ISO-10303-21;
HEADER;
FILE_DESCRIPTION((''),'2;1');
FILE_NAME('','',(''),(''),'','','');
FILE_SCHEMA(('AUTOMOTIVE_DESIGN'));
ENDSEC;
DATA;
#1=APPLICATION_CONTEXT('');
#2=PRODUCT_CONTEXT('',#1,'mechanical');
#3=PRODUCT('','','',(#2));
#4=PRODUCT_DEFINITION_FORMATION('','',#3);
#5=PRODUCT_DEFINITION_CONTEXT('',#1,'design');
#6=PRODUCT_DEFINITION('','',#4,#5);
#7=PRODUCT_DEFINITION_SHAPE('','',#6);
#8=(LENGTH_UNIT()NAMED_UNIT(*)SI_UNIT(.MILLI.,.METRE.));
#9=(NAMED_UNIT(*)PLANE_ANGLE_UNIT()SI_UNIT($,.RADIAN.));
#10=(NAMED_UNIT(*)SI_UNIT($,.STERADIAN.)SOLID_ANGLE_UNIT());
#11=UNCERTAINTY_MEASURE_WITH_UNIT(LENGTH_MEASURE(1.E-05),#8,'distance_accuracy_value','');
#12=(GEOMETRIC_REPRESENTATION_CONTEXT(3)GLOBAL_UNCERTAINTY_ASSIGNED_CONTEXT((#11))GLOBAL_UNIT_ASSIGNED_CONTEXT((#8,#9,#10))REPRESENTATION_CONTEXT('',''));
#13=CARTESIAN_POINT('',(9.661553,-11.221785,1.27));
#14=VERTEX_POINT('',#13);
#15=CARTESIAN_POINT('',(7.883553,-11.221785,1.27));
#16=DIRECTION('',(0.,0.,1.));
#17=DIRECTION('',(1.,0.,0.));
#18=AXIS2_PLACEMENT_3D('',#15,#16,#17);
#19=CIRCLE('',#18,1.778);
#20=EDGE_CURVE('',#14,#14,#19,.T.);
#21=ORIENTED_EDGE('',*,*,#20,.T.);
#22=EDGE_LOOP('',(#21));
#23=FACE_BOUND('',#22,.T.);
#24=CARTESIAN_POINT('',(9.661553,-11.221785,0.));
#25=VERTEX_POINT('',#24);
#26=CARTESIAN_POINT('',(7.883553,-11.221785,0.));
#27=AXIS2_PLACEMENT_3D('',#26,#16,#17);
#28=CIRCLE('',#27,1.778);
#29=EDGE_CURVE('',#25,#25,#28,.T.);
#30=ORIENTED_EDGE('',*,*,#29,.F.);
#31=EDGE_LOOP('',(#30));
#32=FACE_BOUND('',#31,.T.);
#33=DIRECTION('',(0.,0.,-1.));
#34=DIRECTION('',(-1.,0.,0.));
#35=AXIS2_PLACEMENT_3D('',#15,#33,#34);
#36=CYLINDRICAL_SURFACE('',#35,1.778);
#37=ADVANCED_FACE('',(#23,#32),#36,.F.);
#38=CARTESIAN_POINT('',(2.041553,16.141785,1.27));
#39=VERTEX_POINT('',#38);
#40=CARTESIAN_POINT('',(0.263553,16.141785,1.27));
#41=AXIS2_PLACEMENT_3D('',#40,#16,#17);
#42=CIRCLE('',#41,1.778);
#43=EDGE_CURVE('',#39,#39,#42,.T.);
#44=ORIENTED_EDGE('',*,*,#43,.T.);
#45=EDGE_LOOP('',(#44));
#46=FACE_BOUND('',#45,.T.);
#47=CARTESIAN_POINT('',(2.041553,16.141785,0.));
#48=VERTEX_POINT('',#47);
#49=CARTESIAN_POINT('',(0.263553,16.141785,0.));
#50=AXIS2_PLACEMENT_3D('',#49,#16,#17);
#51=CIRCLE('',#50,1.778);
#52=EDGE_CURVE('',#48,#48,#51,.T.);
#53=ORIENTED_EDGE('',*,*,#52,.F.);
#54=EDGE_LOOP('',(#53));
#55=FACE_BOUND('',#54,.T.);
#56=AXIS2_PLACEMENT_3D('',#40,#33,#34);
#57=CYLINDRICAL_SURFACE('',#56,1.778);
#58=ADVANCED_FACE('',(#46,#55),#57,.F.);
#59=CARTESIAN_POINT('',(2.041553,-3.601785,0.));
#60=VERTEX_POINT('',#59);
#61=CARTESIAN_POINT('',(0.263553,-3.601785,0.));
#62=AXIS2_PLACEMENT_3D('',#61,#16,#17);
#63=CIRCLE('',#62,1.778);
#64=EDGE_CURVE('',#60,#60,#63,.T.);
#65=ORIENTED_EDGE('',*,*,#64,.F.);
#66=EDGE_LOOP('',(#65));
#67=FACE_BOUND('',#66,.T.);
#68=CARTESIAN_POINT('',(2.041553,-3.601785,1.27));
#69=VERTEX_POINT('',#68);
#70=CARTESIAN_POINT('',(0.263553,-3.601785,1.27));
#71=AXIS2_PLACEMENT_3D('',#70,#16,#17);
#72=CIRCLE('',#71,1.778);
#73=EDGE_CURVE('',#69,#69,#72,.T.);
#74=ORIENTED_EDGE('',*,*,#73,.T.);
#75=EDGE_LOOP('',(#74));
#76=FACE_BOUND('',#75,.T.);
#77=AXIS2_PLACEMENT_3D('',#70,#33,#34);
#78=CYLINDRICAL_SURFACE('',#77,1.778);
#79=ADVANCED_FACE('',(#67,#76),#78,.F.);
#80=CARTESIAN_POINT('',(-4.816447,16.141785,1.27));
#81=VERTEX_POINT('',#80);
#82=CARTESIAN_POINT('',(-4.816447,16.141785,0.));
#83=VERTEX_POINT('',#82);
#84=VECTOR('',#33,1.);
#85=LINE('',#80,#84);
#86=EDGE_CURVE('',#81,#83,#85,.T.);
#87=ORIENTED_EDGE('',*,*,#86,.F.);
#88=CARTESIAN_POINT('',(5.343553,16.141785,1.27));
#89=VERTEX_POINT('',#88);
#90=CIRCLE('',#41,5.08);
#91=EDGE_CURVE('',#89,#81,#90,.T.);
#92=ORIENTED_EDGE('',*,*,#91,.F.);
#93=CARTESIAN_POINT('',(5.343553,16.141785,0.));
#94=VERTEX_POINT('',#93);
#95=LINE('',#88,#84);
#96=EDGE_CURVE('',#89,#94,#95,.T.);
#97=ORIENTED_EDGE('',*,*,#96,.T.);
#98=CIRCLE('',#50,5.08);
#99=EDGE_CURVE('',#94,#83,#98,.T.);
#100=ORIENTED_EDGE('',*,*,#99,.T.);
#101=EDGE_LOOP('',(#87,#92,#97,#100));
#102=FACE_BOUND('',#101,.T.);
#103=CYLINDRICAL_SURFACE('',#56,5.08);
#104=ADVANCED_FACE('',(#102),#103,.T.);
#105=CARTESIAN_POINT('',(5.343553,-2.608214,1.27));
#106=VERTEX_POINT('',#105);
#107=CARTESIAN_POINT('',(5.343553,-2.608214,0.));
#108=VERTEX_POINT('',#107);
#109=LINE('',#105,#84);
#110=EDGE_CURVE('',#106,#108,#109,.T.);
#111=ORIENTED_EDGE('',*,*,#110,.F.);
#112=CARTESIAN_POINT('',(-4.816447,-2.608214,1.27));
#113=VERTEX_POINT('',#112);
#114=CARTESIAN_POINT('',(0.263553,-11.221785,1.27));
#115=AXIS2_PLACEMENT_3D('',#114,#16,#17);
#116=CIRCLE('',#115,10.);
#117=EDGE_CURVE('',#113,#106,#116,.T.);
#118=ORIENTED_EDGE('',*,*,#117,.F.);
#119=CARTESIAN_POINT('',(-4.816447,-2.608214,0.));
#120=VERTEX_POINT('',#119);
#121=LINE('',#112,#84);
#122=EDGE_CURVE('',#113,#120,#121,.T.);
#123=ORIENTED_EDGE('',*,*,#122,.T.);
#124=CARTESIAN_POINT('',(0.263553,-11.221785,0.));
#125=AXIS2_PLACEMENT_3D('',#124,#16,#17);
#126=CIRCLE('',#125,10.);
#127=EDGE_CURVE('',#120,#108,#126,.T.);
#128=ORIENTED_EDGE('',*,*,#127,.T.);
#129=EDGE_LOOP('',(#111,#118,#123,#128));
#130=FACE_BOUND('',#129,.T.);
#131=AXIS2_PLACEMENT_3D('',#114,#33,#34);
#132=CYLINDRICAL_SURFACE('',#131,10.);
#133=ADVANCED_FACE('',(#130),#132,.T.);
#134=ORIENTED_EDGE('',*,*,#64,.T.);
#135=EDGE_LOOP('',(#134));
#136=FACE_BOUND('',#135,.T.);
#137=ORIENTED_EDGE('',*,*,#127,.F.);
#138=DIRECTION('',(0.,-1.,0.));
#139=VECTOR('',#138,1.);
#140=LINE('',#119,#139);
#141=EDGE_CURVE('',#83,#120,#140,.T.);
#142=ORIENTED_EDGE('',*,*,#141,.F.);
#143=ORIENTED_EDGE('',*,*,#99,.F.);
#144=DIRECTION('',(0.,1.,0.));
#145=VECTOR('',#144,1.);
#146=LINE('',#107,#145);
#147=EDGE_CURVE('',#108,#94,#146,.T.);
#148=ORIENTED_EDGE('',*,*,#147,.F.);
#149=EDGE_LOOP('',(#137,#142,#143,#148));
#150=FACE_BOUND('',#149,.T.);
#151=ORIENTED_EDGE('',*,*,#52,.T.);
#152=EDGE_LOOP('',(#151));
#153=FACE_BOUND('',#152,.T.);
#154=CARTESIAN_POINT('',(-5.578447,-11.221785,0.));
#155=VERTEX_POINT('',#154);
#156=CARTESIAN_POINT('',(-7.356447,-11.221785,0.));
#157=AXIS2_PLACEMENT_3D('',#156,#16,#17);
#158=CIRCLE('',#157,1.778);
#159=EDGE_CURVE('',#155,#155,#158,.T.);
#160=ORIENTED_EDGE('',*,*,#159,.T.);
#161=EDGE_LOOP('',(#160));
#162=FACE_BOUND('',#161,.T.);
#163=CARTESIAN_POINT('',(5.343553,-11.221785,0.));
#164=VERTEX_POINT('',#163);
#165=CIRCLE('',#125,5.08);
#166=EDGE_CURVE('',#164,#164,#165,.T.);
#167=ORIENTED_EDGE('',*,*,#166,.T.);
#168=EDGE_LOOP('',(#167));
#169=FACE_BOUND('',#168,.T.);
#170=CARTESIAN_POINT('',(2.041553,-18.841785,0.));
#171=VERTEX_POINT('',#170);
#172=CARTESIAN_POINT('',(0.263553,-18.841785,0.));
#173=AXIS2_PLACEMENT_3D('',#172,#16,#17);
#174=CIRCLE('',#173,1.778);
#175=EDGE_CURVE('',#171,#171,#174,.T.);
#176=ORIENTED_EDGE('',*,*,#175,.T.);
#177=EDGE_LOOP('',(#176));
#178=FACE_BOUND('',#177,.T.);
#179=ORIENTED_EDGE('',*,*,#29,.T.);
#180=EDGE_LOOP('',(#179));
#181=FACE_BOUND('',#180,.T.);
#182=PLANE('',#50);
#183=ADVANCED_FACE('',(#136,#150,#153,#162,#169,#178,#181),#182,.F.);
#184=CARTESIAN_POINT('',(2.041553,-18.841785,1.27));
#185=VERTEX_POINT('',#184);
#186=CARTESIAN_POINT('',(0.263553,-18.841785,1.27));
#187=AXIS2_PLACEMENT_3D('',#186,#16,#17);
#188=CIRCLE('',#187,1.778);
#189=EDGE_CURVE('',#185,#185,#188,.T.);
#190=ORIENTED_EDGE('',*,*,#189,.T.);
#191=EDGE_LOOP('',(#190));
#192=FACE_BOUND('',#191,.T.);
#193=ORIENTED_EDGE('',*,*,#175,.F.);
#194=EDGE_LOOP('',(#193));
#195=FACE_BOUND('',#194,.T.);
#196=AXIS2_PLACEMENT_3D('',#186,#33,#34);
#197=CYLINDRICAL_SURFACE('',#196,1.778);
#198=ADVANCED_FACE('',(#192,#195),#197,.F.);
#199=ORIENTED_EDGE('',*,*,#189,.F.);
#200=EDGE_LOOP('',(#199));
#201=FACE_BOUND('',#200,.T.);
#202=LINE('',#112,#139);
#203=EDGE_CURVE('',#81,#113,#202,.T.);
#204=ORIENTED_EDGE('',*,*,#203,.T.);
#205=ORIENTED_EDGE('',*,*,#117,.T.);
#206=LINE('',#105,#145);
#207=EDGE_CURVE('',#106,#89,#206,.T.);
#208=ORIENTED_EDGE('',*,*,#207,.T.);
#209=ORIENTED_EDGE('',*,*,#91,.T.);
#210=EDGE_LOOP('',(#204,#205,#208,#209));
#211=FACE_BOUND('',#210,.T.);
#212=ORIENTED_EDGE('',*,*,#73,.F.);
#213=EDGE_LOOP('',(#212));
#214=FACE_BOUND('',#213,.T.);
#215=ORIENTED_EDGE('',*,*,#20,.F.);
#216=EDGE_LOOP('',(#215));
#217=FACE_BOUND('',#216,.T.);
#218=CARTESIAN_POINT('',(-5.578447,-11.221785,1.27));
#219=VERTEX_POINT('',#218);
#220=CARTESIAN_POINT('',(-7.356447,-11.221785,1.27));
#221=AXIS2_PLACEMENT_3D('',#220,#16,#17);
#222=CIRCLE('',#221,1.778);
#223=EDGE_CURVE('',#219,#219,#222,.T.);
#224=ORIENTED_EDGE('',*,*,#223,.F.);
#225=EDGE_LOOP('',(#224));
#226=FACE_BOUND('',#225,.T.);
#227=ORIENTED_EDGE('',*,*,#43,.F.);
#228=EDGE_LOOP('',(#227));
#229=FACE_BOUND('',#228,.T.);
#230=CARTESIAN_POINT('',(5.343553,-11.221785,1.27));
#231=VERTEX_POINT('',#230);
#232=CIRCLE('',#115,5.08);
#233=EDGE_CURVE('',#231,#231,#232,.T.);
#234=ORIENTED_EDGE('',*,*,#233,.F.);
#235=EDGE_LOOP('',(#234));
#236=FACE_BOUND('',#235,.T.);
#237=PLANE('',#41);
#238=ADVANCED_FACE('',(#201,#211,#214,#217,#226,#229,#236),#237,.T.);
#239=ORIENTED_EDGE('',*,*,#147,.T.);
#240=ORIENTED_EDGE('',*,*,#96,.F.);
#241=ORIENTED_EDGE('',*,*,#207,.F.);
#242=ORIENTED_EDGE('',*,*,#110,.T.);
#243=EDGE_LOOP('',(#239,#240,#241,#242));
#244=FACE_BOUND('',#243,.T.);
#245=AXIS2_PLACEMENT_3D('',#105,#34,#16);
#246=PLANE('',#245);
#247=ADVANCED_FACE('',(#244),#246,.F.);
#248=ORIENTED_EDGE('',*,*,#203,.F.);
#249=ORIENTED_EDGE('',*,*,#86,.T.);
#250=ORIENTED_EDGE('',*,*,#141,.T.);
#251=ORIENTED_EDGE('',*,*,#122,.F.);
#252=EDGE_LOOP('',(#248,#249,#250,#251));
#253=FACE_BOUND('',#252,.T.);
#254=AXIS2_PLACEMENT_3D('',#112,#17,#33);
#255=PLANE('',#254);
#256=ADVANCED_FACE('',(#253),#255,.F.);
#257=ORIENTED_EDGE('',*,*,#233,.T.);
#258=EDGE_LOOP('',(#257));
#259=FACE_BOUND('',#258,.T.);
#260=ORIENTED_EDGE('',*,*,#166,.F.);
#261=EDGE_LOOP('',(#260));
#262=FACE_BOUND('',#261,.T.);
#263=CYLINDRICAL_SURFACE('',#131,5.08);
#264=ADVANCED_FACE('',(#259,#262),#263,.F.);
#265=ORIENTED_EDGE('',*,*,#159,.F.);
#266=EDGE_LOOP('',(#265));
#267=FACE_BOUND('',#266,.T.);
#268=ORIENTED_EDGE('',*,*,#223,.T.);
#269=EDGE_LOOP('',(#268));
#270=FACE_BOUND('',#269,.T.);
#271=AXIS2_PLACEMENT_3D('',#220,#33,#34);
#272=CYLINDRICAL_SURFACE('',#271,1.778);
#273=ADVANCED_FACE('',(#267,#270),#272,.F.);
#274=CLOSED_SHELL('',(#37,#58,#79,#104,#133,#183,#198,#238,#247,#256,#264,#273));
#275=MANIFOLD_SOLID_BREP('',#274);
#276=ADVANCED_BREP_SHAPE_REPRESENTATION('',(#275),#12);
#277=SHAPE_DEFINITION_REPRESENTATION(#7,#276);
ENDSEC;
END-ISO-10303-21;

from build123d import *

# Parameters (mm, degrees)
SKETCH1_R           = 1.778
SKETCH1_R_2         = 5.08
BOSS_EXTRUDE1_DEPTH = 1.27


with BuildPart() as part:
    # Sketch1 → Boss-Extrude1 (new body)
    with BuildSketch(Plane.XY):
        with BuildLine():
            Line((5.343552637, -2.608214098), (5.343552637, 16.141784786))
            ThreePointArc((5.343552637, 16.141784786), (0.263552637, 21.221784786), (-4.816447363, 16.141784786))
            Line((-4.816447363, 16.141784786), (-4.816447363, -2.608214098))
            ThreePointArc((-4.816447363, -2.608214098), (0.263552637, -21.221784786), (5.343552637, -2.608214098))
        make_face()
        with Locations((0.263552637, -3.601784786)):
            Circle(SKETCH1_R, mode=Mode.SUBTRACT)
        with Locations((-7.356447363, -11.221784786)):
            Circle(SKETCH1_R, mode=Mode.SUBTRACT)
        with Locations((7.883552637, -11.221784786)):
            Circle(SKETCH1_R, mode=Mode.SUBTRACT)
        with Locations((0.263552637, -18.841784786)):
            Circle(SKETCH1_R, mode=Mode.SUBTRACT)
        with Locations((0.263552637, -11.221784786)):
            Circle(SKETCH1_R_2, mode=Mode.SUBTRACT)
        with Locations((0.263552637, 16.141784786)):
            Circle(SKETCH1_R, mode=Mode.SUBTRACT)
    extrude(amount=BOSS_EXTRUDE1_DEPTH)


solid = part.part
